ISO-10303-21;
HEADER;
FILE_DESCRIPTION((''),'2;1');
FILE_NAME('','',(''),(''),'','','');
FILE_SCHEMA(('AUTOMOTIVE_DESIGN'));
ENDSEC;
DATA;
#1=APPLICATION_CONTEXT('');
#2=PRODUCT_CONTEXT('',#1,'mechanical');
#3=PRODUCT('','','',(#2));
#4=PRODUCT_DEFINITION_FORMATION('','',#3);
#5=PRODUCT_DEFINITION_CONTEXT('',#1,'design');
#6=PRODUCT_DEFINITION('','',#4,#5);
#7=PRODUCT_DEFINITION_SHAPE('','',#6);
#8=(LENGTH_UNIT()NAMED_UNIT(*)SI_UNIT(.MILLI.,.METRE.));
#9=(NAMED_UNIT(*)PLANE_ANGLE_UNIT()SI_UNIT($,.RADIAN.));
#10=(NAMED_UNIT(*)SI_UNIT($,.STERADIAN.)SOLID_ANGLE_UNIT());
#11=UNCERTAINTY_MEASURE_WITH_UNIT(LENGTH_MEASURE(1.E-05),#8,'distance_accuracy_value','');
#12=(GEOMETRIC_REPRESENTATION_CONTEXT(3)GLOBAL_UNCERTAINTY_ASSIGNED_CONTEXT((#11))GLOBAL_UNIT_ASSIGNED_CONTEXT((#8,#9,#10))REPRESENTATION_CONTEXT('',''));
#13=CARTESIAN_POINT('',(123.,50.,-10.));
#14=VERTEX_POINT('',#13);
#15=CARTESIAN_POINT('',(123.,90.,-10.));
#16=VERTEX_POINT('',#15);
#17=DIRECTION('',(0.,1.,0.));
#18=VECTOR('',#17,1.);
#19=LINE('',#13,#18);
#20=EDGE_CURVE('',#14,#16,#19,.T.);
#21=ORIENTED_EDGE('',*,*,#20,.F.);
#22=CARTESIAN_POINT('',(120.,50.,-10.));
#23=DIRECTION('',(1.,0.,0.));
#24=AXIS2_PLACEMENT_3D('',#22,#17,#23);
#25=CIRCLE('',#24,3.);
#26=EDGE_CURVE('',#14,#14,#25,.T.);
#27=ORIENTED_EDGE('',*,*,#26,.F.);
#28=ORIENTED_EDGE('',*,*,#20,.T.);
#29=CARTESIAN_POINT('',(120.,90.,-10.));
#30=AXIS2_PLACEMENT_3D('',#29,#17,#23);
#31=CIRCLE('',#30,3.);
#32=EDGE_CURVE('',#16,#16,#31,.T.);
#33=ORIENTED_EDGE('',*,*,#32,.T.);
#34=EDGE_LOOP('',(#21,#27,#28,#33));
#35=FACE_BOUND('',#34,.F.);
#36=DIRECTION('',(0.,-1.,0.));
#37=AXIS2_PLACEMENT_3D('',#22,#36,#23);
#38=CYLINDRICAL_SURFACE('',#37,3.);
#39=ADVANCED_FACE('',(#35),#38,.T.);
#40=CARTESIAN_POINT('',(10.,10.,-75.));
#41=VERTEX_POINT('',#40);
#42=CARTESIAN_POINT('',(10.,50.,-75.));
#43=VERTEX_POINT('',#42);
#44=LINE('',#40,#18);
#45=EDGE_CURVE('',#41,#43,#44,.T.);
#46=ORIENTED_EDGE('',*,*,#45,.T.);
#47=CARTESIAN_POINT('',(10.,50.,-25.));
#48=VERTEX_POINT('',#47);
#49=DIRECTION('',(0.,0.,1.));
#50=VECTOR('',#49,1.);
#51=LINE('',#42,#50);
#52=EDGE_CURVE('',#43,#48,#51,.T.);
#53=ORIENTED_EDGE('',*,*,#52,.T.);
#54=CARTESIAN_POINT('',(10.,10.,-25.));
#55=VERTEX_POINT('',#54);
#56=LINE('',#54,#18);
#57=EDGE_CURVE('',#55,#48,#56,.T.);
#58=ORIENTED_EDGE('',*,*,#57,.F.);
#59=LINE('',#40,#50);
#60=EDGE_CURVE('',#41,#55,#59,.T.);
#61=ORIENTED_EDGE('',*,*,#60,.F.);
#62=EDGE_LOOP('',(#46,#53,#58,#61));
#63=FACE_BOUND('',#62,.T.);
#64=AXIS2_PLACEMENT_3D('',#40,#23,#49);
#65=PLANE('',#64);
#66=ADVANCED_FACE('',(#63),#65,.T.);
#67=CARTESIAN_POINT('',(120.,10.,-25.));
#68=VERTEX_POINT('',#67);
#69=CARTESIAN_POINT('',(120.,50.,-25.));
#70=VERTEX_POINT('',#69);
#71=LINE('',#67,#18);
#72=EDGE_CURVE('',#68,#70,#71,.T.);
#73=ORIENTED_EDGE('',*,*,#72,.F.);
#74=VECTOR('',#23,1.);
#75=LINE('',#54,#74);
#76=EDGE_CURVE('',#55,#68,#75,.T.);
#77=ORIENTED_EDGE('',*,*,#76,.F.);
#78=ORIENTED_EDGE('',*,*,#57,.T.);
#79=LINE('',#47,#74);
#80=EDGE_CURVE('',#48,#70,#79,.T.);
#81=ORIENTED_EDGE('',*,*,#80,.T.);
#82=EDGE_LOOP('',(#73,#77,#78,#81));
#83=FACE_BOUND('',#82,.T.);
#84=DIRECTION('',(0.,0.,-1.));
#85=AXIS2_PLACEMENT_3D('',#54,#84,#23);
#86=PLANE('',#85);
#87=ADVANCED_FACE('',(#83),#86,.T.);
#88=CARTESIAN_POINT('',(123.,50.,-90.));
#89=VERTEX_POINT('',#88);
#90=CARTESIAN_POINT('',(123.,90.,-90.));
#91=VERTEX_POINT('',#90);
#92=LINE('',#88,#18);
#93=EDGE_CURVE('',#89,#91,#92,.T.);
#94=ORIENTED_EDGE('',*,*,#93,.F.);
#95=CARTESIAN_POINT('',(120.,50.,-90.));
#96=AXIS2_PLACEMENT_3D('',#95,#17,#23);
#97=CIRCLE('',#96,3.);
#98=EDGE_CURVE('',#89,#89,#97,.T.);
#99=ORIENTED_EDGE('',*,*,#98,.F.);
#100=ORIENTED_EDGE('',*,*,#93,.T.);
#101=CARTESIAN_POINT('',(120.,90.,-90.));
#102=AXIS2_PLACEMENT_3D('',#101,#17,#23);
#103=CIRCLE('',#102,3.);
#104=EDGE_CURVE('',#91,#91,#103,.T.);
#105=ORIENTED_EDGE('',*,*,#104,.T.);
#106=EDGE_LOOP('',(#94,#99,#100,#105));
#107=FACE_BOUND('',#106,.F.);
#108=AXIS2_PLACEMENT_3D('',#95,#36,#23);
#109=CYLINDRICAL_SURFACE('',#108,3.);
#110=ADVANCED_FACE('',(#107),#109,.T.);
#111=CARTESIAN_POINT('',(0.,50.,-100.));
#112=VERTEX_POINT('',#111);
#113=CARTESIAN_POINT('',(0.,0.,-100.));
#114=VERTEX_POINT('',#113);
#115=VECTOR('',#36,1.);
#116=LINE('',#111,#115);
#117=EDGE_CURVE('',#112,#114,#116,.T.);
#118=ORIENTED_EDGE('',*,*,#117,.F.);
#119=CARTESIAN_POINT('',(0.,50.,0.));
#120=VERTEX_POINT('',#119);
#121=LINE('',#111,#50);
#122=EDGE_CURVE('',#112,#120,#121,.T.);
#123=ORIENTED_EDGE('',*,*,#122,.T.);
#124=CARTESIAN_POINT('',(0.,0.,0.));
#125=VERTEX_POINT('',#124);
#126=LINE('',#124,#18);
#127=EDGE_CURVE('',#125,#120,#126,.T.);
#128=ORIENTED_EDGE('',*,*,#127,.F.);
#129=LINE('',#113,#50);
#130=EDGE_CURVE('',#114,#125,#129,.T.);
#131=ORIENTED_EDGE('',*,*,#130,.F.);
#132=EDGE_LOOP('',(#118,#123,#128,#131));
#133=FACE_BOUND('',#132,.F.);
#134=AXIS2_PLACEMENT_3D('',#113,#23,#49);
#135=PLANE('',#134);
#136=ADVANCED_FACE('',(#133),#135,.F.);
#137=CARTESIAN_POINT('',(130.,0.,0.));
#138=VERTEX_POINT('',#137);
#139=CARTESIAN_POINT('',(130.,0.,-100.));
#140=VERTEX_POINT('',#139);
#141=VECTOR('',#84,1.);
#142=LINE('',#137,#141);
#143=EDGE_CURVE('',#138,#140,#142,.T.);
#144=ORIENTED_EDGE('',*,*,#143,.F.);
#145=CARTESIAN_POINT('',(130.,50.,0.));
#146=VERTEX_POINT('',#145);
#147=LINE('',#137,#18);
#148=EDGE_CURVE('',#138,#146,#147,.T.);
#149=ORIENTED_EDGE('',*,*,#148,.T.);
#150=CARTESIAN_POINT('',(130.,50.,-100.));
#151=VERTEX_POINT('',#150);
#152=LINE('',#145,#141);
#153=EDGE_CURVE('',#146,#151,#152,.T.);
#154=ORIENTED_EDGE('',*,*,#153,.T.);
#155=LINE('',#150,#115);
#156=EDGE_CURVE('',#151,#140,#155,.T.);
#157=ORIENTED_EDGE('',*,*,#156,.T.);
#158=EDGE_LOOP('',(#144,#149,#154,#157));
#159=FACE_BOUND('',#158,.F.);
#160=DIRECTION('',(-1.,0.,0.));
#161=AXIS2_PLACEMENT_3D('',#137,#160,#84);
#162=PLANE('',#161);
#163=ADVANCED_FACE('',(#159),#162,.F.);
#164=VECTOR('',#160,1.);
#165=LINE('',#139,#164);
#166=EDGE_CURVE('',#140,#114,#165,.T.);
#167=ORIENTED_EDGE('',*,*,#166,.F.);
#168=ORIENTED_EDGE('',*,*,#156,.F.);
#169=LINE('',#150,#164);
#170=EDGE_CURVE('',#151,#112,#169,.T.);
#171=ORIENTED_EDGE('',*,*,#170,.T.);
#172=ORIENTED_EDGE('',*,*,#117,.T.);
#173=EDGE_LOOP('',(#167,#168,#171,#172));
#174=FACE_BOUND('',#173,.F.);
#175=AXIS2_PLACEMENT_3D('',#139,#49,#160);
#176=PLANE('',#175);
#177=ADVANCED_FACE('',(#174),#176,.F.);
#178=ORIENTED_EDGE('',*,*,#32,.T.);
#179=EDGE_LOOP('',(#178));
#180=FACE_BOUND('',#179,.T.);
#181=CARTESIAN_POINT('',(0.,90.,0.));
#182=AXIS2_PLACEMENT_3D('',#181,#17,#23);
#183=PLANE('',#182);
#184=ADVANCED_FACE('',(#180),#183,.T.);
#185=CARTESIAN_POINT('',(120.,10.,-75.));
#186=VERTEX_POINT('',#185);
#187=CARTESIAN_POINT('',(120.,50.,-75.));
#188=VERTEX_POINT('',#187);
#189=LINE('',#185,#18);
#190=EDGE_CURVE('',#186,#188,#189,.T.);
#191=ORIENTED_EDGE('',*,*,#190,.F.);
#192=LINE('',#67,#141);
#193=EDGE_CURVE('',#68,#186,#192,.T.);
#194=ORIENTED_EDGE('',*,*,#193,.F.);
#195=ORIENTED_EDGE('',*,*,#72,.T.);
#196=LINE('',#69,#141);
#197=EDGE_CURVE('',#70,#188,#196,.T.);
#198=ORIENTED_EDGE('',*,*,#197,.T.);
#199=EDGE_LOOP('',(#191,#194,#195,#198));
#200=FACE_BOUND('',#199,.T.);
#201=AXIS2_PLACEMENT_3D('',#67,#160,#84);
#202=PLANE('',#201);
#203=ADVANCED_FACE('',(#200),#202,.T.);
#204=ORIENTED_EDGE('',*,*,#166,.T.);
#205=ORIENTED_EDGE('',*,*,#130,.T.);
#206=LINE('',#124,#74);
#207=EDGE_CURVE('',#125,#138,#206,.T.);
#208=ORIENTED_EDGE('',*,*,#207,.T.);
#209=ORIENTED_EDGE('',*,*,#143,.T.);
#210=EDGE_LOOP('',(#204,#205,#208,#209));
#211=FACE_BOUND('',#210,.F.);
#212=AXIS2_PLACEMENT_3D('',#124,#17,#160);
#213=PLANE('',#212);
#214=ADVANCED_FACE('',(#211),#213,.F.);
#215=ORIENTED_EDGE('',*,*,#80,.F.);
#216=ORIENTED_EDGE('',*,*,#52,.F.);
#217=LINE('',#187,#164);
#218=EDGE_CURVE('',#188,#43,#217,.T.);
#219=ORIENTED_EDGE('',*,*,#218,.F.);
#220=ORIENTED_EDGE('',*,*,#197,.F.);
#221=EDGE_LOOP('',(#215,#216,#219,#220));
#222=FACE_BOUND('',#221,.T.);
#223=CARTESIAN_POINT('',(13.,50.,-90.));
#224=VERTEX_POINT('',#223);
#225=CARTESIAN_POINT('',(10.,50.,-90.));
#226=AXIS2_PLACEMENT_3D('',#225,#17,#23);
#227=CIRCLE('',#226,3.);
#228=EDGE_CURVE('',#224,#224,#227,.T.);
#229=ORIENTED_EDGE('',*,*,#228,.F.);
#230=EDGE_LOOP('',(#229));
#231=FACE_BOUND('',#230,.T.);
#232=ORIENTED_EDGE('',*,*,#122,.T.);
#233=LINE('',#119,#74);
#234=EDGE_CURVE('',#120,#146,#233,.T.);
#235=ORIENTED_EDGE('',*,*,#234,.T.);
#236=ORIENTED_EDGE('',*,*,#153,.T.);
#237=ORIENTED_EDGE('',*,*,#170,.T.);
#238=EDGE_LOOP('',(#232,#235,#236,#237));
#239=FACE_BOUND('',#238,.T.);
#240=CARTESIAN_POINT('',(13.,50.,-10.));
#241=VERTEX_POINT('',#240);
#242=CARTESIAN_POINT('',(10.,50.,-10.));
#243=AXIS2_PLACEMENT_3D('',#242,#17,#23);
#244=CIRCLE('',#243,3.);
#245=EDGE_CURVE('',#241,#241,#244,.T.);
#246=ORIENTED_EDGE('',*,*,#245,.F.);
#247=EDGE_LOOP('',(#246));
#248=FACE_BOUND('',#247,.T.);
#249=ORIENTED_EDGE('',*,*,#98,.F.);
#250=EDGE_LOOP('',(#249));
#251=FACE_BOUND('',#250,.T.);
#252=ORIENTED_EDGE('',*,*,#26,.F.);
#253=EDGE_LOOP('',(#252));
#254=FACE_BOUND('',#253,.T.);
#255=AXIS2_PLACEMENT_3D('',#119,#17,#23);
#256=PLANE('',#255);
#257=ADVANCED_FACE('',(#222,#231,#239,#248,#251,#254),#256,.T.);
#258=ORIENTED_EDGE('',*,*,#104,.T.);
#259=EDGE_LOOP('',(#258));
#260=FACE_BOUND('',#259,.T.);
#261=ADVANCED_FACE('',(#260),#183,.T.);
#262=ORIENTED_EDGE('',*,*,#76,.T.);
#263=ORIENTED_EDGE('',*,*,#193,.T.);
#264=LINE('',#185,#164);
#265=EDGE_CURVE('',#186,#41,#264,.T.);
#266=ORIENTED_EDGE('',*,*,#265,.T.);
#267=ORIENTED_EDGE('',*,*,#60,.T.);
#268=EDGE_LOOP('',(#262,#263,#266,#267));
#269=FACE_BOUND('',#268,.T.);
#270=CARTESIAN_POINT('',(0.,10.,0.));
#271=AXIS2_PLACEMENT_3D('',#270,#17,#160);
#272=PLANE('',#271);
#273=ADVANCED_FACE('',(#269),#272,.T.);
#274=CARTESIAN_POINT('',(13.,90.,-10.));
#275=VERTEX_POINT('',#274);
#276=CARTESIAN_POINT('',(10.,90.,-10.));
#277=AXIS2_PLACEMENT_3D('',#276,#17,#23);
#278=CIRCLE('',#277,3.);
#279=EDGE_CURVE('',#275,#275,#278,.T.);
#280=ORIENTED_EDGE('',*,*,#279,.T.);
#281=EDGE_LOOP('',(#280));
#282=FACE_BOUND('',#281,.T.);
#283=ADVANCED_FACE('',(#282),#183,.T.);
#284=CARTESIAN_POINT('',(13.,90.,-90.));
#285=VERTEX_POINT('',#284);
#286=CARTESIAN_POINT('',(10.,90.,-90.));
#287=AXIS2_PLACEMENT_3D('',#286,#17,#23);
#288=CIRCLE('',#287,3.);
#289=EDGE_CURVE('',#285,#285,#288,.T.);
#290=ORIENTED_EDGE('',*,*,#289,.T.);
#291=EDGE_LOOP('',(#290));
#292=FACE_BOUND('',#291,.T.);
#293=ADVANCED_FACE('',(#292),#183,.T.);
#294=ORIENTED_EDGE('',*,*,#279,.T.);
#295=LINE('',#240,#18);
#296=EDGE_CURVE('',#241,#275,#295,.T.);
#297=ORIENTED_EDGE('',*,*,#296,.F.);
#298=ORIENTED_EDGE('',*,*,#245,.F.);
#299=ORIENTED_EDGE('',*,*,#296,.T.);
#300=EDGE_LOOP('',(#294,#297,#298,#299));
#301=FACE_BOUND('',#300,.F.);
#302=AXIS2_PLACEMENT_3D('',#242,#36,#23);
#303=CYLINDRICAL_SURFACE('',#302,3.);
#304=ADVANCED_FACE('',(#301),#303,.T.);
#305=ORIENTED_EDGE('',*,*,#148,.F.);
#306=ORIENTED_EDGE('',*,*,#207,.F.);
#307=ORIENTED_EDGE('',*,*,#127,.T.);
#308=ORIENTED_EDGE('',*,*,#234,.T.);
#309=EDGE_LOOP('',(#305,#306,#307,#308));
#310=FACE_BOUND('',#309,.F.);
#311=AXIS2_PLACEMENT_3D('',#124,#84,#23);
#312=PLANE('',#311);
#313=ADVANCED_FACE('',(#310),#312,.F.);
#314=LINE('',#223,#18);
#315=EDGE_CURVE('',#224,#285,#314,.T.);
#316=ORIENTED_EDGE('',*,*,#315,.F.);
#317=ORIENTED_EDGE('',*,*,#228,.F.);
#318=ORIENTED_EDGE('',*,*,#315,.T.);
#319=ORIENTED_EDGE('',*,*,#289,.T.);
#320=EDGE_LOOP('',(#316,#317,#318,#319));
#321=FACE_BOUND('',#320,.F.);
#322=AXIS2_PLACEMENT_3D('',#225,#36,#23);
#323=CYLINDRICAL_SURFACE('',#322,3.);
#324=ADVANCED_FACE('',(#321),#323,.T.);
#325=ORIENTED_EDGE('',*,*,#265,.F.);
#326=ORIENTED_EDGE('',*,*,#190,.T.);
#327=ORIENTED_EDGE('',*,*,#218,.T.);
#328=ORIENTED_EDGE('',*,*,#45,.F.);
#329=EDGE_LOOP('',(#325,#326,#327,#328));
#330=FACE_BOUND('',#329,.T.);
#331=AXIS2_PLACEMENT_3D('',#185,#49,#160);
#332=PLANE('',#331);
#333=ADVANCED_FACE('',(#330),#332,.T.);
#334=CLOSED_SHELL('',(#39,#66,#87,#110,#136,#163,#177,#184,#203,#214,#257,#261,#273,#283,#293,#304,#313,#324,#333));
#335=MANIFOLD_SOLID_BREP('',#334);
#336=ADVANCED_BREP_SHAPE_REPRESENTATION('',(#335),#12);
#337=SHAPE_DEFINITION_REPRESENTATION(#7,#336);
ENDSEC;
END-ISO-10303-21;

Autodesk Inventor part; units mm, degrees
ref_plane "YZ Plane" through (0, 0, 0) normal (1, 0, 0) x (0, 1, 0)
ref_plane "XZ Plane" through (0, 0, 0) normal (0, 1, 0) x (-1, 0, 0)
ref_plane "XY Plane" through (0, 0, 0) normal (0, 0, 1) x (1, 0, 0)
sketch "Sketch1" plane through (0, 0, 0) normal (0, 1, 0) x (-1, 0, 0)
  line L0 (0, 0) -> (-130, 0)
  line L1 (-130, 0) -> (-130, -100)
  line L2 (-130, -100) -> (0, -100)
  line L3 (0, -100) -> (0, 0)
  dimension "d0" = 130
  dimension "d1" = 100
extrude "Extrusion1" add sketch "Sketch1" along normal blind 10
sketch "Sketch2" plane through (0, 10, 0) normal (0, 1, 0) x (1, 0, 0)
  line L0 (10, 25) -> (120, 25)
  line L1 (120, 25) -> (120, 75)
  line L2 (120, 75) -> (10, 75)
  line L3 (10, 75) -> (10, 25)
  line L4 (130, 100) -> (0, 100) projected
  line L5 (130, 0) -> (130, 100) projected
  line L6 (0, 100) -> (0, 0) projected
  line L7 (0, 0) -> (130, 0) projected
  dimension "d4" = 25
  dimension "d5" = 10
  dimension "d6" = 10
  dimension "d7" = 25
extrude "Extrusion2" add sketch "Sketch2" along normal blind 40
sketch "Sketch3" plane through (0, 50, 0) normal (0, 1, 0) x (1, 0, 0)
  circle A0 centre (10, 90) radius 3
  line L0 (130, 100) -> (0, 100) projected
  line L1 (0, 100) -> (0, 0) projected
  line L2 (130, 0) -> (130, 100) projected
  line L3 (130, 100) -> (0, 100) projected
  line L4 (65, 100) -> (65, 0)
  line L5 (0, 0) -> (130, 0) projected
  line L6 (0, 100) -> (0, 0) projected
  line L7 (0, 50) -> (130, 50)
  circle A1 centre (120, 90) radius 3
  circle A2 centre (10, 10) radius 3
  line L8 (130, 0) -> (0, 0)
  line L9 (130, 0) -> (0, 0)
  circle A3 centre (120, 10) radius 3
  dimension "d10" = 6
  dimension "d11" = 10
  dimension "d12" = 10
extrude "Extrusion3" add sketch "Sketch3" along normal blind 40 contours A0 | A1 | A2 | A3
properties part number "bottom"
